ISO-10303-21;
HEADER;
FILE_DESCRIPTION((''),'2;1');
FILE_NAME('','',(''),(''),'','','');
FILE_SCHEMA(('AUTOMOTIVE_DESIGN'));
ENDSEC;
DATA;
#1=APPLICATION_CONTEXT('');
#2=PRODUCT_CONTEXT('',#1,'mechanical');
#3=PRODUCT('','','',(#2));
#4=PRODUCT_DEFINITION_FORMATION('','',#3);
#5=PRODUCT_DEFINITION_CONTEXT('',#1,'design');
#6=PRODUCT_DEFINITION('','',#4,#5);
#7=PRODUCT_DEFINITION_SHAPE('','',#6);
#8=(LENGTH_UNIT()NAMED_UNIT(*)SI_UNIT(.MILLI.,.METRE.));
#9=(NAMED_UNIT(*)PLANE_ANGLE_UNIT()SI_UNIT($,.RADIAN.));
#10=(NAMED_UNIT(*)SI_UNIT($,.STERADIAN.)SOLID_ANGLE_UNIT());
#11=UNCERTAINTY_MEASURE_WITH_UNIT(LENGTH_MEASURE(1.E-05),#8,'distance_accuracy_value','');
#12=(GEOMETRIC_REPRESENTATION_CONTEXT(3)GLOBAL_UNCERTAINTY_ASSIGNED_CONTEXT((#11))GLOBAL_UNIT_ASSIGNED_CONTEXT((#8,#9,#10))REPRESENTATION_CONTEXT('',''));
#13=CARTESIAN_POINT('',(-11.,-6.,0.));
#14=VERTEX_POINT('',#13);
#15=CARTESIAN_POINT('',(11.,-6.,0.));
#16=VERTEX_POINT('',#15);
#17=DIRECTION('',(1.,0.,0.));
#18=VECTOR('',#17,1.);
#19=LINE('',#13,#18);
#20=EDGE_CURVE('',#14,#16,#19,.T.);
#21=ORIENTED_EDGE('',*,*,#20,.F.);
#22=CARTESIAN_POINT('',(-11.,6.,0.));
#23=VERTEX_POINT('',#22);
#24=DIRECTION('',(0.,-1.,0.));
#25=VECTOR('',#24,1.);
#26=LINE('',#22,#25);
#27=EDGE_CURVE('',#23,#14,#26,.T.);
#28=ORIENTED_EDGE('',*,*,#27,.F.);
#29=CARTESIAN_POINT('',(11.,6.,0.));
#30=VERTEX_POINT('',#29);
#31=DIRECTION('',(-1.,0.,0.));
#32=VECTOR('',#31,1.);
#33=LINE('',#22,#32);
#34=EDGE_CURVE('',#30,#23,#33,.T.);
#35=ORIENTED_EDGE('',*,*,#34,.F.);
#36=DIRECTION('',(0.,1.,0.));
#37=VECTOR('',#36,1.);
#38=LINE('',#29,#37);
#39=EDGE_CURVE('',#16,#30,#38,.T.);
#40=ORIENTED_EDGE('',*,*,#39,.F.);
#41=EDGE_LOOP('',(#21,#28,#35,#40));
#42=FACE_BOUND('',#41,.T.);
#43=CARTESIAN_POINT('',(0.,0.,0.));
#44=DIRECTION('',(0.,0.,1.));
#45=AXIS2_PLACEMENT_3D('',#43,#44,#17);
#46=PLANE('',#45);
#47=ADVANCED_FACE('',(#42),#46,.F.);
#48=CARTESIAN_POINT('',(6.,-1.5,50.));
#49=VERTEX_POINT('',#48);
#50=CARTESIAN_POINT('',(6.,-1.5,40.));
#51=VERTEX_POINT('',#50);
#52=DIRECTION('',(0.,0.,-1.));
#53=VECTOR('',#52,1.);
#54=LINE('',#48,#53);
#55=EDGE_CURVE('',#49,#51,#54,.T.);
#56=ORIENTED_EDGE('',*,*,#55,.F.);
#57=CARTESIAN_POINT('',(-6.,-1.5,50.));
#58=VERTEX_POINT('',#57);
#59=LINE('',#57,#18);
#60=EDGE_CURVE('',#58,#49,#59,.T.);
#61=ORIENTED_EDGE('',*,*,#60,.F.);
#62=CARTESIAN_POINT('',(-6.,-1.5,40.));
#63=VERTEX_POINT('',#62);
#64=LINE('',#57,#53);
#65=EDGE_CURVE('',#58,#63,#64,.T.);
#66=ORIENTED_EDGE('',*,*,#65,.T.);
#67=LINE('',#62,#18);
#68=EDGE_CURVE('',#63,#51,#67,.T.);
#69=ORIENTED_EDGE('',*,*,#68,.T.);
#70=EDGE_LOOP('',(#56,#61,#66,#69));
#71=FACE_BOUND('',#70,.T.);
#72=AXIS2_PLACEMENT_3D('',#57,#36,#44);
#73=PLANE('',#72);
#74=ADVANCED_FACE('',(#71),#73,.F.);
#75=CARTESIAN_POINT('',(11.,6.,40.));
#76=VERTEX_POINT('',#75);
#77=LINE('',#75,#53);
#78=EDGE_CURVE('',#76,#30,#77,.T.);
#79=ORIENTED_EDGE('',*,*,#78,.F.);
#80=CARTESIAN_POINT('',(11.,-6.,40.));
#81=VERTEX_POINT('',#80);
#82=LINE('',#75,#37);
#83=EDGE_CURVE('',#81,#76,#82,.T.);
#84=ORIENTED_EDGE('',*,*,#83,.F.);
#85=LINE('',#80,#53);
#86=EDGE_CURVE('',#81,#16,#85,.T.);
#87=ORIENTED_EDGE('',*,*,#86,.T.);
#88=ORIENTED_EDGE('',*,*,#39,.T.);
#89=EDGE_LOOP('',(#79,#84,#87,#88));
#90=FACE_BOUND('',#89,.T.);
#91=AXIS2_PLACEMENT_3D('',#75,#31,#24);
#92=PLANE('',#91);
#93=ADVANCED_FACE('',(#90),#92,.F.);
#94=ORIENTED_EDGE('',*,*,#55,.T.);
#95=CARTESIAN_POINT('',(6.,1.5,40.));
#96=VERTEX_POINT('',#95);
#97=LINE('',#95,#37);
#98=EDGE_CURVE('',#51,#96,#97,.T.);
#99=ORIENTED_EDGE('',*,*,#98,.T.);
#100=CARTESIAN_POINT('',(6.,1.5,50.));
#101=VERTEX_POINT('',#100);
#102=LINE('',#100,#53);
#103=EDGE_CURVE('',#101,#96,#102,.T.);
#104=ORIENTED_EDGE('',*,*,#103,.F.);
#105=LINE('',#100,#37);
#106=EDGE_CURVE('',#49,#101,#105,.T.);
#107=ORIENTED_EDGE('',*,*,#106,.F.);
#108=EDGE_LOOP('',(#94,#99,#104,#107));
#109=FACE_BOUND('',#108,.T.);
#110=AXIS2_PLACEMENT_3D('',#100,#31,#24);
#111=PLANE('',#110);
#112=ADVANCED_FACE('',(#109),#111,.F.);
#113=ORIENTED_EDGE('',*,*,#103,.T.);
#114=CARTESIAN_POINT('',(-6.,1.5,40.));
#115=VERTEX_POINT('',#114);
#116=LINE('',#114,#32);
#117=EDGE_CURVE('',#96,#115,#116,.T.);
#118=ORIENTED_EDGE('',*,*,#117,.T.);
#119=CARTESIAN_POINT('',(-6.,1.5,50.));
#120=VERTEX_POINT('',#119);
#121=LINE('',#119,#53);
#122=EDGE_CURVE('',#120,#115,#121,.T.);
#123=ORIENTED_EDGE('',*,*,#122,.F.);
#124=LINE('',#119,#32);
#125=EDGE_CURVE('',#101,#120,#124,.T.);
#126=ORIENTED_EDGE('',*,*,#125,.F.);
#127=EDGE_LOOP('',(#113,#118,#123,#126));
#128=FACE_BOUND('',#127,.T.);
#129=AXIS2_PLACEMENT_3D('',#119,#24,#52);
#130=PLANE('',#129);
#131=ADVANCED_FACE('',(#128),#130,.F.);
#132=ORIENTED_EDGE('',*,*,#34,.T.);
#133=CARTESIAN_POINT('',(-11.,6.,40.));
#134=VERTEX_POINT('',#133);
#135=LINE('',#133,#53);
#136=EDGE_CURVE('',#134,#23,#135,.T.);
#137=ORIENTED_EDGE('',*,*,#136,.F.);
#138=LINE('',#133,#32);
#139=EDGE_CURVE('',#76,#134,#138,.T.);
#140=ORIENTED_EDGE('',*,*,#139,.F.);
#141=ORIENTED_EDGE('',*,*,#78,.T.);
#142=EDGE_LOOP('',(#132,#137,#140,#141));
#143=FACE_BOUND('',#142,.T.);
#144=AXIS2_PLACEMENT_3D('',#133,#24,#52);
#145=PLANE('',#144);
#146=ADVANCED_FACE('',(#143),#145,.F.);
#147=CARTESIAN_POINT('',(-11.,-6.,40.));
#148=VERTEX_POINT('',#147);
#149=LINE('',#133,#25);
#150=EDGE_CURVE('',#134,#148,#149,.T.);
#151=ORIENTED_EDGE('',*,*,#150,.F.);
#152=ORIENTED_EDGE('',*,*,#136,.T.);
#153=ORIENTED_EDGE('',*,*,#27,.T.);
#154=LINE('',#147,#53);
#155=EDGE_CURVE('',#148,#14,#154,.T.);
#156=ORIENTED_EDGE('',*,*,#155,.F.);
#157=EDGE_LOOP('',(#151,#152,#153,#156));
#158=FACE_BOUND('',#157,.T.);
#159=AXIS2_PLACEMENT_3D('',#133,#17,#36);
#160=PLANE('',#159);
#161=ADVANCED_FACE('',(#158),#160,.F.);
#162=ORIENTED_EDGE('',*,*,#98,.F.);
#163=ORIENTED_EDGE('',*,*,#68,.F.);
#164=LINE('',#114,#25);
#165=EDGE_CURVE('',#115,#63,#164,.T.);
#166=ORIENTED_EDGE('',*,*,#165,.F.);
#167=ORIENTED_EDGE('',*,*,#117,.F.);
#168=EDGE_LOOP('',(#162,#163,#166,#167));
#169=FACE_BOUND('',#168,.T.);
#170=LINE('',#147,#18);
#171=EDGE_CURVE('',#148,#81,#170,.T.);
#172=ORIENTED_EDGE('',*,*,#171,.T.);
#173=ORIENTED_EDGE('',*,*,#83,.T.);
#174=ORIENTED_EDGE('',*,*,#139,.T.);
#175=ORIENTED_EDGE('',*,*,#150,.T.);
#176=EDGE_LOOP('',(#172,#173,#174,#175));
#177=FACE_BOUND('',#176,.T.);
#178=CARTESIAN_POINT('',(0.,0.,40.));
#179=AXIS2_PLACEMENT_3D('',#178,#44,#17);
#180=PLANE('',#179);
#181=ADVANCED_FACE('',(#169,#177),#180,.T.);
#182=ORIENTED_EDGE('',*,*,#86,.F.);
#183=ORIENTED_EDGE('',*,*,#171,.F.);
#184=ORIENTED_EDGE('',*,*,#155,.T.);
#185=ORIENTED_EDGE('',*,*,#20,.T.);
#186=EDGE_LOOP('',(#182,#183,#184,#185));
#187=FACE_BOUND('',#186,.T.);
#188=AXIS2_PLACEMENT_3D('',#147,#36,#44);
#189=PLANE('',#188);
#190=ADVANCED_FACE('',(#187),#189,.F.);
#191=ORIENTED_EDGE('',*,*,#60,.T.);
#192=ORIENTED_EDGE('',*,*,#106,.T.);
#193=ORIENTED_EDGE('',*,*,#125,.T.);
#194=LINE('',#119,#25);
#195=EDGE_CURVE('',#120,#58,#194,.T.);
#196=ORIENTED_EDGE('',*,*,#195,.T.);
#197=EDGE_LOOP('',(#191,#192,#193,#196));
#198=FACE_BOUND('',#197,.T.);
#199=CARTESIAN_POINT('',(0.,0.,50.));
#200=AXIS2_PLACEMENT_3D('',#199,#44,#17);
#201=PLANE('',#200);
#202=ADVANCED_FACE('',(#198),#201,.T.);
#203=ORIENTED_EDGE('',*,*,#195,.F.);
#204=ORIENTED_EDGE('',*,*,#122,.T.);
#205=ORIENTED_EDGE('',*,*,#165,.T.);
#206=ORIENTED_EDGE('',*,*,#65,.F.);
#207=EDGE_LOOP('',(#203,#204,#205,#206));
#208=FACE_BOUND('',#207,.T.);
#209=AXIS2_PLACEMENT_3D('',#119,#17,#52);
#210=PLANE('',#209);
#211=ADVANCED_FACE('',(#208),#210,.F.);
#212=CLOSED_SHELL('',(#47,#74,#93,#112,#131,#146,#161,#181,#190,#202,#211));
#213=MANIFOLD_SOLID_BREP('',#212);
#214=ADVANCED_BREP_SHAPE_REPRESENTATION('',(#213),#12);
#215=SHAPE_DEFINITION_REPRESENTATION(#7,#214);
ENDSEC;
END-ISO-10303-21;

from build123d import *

# Parameters (mm, degrees)
SKETCH1_W           = 22
SKETCH1_H           = 12
BOSS_EXTRUDE1_DEPTH = 40
SKETCH2_W           = 12
SKETCH2_H           = 3
BOSS_EXTRUDE2_DEPTH = 10


with BuildPart() as part:
    # Sketch1 → Boss-Extrude1 (new body)
    with BuildSketch(Plane.XY):
        Rectangle(SKETCH1_W, SKETCH1_H)
    extrude(amount=BOSS_EXTRUDE1_DEPTH)

    # Sketch2 → Boss-Extrude2 (add)
    with BuildSketch(Plane.XY.offset(40)):
        Rectangle(SKETCH2_W, SKETCH2_H)
    extrude(amount=BOSS_EXTRUDE2_DEPTH)


solid = part.part
